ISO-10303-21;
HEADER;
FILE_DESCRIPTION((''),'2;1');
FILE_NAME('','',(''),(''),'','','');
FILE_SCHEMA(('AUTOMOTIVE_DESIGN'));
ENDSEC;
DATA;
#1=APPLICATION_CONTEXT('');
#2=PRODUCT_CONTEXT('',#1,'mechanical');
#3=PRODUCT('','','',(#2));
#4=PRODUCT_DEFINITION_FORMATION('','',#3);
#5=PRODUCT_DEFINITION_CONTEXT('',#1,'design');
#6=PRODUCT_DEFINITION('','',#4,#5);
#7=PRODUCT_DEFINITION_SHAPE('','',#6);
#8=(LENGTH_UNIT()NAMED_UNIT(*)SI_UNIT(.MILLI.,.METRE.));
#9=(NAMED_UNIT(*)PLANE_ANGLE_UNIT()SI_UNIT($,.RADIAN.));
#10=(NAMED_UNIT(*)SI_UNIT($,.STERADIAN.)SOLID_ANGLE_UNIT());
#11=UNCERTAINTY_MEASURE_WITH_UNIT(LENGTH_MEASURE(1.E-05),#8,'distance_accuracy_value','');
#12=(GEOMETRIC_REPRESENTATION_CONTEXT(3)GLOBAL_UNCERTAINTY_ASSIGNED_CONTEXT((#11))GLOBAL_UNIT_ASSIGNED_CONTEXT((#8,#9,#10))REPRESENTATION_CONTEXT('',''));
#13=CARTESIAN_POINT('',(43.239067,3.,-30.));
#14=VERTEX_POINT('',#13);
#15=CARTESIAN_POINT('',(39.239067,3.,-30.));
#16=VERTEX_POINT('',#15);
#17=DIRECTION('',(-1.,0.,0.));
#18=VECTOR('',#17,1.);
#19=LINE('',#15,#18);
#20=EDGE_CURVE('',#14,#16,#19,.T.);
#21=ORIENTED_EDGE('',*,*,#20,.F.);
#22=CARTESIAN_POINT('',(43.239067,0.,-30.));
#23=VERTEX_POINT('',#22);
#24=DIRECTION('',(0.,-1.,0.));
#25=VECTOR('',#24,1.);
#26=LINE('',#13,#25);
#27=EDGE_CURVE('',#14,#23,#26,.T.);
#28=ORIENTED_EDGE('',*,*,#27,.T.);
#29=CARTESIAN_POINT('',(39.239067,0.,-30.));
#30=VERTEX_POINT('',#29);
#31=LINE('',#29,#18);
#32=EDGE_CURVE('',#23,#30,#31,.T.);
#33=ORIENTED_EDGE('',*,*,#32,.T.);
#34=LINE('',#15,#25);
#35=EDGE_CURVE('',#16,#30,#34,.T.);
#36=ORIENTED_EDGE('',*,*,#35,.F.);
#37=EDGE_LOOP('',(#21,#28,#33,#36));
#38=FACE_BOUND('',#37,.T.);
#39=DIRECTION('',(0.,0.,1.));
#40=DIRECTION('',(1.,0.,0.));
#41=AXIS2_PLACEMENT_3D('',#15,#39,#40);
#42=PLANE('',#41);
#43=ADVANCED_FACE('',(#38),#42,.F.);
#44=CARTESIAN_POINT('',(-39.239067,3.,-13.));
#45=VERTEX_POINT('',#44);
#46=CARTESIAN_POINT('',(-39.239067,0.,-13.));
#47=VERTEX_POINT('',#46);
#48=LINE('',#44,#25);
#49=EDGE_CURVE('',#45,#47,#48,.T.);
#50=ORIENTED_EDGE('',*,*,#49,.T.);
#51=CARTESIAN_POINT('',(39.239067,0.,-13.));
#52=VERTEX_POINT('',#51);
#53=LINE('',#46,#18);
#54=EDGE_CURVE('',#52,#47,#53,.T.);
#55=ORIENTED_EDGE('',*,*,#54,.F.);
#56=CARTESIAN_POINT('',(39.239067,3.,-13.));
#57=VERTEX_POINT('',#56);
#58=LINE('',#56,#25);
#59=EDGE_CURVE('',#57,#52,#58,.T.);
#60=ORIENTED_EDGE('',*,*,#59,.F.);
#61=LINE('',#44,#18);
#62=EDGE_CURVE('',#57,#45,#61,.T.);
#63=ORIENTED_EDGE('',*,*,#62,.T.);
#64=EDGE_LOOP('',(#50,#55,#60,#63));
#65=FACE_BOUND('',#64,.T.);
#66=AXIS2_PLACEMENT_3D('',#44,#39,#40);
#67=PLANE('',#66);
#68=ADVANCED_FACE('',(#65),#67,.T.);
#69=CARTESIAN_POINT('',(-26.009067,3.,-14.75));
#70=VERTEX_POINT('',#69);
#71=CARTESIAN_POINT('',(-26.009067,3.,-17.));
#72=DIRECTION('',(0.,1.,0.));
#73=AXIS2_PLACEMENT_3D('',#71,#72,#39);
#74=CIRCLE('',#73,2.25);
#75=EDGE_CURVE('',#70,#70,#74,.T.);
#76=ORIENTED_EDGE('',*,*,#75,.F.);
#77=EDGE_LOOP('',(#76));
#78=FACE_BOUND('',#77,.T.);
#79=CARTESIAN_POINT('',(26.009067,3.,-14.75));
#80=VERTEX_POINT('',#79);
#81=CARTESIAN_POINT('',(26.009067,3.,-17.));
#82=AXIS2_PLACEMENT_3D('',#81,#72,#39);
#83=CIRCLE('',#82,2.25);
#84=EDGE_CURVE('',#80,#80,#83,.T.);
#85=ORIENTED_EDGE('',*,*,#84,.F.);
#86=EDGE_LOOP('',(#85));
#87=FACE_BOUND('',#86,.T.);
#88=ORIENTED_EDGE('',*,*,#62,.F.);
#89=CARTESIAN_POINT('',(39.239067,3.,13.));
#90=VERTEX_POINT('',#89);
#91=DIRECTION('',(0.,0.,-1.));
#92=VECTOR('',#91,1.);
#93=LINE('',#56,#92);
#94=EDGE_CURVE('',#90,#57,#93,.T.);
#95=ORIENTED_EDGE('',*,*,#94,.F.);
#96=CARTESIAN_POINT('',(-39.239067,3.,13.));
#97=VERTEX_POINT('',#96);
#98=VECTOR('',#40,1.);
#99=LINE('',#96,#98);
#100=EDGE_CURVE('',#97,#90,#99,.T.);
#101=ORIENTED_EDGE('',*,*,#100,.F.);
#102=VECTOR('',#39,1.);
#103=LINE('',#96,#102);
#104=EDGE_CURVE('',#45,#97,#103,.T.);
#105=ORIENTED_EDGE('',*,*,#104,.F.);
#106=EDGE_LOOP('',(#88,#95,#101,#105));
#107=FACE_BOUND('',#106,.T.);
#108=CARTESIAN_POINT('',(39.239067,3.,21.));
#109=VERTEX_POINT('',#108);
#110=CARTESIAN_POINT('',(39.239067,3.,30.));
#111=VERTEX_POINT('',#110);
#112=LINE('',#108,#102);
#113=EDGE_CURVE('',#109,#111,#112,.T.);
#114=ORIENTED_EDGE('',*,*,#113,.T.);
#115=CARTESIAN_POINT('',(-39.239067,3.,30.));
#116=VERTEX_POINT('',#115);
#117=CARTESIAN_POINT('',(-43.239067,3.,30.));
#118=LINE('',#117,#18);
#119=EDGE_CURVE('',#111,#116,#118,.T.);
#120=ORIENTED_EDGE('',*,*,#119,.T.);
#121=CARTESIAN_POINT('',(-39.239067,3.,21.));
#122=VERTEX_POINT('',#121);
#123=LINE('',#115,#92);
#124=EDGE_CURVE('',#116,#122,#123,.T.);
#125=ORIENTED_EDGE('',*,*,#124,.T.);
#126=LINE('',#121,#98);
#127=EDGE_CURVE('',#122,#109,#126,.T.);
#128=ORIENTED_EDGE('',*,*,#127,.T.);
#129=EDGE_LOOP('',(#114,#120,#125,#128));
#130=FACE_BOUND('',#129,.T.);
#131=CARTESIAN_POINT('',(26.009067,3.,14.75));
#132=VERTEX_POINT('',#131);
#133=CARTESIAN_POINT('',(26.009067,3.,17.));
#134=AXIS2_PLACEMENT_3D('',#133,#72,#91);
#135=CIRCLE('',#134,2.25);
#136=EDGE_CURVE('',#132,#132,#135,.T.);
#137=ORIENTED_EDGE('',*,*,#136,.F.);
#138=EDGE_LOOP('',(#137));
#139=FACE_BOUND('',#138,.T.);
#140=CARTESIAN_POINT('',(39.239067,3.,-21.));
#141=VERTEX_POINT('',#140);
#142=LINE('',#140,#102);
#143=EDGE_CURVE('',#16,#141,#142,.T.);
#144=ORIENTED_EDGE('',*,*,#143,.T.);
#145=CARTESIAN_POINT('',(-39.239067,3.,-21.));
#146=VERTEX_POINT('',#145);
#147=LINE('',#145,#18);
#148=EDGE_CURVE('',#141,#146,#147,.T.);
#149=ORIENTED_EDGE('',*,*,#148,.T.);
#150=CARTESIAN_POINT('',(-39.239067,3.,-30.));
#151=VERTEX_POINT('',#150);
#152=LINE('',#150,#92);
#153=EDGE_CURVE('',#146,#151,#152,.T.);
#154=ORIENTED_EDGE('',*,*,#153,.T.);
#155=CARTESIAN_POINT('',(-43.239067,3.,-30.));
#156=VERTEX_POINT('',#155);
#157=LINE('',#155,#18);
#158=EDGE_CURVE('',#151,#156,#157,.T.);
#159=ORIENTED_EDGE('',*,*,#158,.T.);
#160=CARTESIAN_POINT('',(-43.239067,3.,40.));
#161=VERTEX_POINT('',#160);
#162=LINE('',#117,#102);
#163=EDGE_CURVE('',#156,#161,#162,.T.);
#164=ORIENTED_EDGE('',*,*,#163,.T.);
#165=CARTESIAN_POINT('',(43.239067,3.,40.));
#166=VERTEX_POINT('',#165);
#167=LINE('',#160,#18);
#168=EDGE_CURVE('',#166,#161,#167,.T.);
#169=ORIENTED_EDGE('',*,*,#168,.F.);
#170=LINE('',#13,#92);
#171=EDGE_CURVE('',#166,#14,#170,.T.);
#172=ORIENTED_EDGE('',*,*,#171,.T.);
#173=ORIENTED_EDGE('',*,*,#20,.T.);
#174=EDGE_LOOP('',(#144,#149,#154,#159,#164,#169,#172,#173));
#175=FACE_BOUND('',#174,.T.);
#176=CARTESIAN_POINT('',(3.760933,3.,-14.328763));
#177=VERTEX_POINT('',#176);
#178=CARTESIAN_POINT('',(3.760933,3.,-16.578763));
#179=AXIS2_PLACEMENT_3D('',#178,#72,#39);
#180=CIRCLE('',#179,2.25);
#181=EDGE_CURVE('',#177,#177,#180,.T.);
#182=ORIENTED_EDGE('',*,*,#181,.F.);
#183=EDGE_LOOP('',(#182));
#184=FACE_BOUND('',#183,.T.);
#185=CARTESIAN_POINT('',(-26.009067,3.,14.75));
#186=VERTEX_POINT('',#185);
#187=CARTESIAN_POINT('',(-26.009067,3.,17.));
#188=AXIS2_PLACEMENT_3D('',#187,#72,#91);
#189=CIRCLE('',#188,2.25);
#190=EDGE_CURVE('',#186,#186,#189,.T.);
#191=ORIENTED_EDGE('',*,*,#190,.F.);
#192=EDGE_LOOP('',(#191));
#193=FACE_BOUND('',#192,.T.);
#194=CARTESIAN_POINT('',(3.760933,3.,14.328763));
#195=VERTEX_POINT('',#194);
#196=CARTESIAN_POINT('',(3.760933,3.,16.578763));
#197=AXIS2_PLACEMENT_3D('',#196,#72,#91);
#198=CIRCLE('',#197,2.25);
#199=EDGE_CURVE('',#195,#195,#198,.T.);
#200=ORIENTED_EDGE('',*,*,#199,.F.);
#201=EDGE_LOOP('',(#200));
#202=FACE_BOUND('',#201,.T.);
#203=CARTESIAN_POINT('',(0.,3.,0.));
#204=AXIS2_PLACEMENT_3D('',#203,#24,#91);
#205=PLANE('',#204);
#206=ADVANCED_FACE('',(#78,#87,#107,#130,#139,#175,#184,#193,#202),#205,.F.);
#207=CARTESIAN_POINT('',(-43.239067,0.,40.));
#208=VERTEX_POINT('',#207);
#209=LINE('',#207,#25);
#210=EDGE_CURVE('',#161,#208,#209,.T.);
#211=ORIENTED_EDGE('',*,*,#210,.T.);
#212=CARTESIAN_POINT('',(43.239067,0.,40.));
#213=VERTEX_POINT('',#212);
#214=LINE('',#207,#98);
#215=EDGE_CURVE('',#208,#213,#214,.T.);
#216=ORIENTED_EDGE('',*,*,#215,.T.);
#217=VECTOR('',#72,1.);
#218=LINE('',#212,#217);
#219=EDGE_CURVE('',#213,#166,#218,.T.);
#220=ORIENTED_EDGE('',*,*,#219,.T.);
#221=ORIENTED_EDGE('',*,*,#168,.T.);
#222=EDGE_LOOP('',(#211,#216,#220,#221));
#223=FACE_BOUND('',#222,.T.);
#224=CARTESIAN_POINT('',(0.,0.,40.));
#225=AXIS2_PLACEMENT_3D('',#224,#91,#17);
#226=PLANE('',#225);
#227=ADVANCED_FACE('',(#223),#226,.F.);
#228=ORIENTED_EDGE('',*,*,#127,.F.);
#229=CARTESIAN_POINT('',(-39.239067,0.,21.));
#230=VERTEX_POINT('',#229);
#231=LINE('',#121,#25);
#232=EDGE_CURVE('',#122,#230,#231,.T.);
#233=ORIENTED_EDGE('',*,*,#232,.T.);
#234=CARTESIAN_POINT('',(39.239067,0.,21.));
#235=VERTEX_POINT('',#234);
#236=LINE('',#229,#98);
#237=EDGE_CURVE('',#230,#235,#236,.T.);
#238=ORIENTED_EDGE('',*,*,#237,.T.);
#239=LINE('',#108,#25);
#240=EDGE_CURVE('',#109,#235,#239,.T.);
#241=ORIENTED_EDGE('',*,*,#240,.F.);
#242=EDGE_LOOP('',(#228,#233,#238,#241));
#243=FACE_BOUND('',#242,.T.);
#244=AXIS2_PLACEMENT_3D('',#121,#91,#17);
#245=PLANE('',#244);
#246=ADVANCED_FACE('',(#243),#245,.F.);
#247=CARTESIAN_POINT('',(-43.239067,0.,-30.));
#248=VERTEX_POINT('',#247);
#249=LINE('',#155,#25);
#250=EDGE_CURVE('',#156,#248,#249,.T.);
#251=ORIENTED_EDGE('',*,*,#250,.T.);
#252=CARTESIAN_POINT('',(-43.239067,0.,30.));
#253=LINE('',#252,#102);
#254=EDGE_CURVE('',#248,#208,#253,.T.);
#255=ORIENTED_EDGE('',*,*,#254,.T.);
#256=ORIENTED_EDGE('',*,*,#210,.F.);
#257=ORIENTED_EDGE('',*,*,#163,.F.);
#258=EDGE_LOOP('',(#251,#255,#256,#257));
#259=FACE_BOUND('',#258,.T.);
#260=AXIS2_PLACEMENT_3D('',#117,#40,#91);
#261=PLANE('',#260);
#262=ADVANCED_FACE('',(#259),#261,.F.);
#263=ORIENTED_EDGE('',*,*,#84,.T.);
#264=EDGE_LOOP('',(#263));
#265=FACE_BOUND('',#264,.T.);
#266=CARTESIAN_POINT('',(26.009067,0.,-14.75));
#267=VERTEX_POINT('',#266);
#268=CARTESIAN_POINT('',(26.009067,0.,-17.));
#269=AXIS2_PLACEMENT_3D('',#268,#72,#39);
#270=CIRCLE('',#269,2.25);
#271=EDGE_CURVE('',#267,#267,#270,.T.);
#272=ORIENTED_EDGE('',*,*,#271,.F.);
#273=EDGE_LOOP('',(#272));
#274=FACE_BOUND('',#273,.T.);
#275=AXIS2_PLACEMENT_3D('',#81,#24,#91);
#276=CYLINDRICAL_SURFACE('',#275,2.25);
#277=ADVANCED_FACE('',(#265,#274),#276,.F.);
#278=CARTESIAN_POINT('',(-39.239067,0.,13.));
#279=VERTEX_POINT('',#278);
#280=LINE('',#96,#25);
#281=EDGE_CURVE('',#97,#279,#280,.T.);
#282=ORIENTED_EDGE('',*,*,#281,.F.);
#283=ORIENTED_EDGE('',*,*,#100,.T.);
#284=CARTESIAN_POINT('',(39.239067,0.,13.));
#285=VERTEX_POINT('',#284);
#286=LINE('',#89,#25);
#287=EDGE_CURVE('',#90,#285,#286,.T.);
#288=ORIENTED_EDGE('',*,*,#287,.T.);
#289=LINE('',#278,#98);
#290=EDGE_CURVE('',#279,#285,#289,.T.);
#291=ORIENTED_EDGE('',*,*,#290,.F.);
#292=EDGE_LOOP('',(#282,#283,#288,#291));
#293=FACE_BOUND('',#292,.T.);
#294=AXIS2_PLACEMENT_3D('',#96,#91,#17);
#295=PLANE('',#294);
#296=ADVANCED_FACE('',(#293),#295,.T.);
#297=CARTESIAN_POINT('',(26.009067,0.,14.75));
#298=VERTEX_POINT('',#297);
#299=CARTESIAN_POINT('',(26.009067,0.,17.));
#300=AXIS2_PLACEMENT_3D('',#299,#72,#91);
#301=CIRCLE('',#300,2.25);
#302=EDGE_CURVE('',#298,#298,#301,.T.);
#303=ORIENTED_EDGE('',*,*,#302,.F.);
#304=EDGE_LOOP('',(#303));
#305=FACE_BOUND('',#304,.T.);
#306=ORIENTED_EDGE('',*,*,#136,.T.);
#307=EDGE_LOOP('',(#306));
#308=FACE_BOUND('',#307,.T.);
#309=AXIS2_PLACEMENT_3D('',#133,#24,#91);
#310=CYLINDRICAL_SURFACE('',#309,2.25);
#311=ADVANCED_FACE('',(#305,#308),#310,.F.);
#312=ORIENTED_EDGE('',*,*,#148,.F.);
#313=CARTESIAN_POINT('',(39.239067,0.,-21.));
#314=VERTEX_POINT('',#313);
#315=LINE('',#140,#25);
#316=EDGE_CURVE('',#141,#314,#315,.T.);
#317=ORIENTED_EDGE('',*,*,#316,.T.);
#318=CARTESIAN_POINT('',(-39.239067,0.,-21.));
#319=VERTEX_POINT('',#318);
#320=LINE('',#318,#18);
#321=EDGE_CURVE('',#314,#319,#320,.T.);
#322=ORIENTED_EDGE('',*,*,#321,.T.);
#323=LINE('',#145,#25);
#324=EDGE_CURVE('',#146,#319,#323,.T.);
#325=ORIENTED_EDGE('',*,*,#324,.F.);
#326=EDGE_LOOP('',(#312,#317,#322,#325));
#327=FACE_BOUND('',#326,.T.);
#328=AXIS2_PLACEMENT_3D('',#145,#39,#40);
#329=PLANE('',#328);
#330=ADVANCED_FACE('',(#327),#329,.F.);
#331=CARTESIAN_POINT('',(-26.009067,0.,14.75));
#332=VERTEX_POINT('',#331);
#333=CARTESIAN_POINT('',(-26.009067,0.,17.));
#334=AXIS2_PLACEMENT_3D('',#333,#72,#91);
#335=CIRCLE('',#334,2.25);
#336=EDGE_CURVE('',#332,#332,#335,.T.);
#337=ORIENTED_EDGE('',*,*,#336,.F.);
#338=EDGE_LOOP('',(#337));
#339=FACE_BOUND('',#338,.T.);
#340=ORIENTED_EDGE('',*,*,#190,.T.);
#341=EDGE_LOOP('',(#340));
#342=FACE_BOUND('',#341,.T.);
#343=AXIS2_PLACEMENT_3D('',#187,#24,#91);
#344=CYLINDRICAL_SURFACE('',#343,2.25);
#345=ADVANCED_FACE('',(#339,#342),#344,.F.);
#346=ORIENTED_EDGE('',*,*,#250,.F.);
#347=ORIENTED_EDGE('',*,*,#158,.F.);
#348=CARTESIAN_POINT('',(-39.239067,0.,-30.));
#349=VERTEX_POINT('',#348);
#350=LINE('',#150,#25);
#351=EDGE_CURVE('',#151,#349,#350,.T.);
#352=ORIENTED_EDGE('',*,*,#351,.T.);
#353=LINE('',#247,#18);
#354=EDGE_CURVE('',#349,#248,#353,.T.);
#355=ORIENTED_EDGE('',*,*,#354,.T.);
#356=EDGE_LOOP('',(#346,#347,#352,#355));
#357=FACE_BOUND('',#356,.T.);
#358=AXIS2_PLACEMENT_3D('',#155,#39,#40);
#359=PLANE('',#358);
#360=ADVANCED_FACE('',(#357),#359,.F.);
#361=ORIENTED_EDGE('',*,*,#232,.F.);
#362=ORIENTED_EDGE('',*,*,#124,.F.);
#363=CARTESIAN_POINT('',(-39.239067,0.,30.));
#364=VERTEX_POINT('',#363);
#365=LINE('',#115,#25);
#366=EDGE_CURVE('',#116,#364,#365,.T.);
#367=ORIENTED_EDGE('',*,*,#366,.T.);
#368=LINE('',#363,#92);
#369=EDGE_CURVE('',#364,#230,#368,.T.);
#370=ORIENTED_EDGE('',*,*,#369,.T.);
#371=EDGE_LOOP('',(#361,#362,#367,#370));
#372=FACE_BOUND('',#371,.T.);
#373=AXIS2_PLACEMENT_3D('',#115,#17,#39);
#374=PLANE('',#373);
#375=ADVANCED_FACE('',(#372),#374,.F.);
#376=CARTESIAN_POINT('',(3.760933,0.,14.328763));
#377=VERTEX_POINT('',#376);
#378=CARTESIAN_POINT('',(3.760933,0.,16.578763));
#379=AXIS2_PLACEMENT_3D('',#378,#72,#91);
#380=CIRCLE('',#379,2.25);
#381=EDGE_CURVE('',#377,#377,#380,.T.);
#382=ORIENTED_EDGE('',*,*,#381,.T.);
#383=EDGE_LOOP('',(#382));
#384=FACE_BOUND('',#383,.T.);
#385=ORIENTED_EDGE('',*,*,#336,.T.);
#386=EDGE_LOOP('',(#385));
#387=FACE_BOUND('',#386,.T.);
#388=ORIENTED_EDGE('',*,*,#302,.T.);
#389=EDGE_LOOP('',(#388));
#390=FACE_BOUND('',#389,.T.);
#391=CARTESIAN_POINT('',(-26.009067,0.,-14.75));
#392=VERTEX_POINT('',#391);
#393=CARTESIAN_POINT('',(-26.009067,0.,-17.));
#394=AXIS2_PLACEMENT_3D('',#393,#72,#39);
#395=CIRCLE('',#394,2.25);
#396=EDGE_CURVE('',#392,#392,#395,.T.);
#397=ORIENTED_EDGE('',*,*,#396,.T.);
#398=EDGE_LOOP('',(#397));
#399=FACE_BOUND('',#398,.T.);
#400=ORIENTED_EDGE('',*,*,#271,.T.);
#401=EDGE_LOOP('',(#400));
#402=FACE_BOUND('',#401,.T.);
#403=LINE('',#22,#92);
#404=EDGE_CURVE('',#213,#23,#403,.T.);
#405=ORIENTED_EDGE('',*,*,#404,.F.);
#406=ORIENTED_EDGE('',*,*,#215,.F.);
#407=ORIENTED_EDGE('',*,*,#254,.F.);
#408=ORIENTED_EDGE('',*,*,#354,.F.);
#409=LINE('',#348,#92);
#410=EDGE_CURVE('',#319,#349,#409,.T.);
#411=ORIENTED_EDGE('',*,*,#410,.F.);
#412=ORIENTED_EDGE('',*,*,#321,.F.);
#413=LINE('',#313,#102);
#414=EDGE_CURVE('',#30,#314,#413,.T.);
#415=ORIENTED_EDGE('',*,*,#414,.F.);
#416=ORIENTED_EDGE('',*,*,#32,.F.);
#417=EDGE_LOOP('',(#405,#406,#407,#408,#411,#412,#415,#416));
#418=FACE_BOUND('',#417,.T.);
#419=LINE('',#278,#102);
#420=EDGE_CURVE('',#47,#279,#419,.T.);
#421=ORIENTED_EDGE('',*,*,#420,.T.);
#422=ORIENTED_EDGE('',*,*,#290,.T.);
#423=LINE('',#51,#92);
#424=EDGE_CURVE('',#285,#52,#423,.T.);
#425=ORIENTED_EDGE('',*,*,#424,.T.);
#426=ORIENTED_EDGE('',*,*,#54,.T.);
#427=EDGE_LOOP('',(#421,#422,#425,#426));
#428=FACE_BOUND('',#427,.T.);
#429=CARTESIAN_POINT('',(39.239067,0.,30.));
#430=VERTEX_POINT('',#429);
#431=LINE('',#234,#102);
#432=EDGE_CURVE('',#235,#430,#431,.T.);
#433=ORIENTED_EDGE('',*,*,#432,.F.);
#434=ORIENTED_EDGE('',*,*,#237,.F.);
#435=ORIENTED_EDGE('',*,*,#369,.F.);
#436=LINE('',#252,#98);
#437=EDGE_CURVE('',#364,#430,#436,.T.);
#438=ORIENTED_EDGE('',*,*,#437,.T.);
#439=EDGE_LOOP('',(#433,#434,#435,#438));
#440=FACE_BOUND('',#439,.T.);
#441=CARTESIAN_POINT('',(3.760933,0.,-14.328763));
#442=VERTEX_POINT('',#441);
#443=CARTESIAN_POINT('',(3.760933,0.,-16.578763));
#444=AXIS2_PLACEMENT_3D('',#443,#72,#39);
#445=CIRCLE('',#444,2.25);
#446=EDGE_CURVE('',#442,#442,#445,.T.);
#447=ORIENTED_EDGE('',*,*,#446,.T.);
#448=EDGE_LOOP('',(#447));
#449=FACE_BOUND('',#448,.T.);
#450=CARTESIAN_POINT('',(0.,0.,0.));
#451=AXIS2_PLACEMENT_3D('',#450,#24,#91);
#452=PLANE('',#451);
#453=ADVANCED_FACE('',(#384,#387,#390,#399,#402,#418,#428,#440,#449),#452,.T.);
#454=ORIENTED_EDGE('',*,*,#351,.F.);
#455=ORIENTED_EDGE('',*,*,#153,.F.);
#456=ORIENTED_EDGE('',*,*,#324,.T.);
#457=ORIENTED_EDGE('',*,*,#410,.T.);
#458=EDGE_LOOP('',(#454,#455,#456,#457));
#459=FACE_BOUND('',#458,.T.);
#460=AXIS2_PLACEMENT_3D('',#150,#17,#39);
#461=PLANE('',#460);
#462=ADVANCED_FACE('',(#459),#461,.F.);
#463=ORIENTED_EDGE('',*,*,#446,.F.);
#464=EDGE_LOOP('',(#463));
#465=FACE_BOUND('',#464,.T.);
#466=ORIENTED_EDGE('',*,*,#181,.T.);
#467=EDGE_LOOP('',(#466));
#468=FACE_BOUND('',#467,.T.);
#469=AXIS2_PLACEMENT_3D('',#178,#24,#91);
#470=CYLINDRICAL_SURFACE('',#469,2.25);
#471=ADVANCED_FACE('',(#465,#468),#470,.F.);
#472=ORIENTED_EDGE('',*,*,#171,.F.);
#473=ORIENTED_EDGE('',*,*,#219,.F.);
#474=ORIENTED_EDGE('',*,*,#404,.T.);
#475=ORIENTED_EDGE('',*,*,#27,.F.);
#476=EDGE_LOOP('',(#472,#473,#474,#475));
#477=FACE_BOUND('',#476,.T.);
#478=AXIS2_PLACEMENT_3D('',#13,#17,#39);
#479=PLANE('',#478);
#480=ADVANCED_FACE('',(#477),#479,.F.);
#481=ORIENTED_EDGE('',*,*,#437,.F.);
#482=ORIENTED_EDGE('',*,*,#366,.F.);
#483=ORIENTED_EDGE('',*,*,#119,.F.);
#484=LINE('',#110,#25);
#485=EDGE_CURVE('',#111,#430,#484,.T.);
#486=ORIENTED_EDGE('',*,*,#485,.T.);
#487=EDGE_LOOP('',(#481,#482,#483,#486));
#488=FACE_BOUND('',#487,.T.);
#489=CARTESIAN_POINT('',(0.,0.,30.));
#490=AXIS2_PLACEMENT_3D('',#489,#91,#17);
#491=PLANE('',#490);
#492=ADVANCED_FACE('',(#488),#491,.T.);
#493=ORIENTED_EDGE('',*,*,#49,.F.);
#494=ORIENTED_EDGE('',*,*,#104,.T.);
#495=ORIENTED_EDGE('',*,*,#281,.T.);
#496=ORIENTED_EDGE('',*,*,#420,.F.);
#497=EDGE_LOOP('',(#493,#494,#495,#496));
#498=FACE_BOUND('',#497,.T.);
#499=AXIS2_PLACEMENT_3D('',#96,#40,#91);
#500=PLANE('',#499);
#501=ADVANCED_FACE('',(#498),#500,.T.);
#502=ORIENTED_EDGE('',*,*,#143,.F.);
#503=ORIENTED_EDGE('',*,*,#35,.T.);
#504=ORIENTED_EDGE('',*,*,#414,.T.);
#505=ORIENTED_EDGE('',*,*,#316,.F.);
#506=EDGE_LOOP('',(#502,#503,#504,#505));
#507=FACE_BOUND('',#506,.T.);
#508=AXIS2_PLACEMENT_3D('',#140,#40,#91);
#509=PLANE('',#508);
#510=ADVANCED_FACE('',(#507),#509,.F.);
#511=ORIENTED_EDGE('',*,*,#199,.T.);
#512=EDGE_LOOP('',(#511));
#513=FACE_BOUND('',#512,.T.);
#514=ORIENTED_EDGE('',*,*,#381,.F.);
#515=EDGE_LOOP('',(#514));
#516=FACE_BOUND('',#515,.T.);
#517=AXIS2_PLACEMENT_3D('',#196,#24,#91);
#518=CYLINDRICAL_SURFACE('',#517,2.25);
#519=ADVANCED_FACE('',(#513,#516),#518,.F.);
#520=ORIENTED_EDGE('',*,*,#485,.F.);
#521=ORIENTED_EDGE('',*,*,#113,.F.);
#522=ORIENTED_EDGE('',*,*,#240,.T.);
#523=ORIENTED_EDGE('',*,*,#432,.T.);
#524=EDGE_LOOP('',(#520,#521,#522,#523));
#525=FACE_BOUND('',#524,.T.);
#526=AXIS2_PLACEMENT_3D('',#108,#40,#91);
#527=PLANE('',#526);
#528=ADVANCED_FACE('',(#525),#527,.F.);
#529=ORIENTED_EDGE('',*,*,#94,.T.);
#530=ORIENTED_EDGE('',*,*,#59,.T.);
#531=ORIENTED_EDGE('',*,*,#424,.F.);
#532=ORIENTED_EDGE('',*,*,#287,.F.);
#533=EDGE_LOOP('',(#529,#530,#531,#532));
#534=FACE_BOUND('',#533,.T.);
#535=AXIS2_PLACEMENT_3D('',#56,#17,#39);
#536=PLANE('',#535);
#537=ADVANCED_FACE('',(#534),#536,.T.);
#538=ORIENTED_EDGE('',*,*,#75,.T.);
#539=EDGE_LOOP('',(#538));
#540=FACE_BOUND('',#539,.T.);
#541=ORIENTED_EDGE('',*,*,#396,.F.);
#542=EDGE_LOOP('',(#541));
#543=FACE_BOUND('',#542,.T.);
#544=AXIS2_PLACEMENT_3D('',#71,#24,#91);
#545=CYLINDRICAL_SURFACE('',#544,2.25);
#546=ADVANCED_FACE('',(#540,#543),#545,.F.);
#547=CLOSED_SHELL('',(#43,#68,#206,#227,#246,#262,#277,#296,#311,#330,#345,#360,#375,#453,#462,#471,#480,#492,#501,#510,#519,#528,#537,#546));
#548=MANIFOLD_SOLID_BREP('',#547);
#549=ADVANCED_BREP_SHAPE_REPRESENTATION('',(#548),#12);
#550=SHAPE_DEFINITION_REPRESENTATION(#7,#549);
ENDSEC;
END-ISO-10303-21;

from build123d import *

# Parameters (mm, degrees)
SKETCH3_R           = 2.25
SKETCH3_W           = 78.47813411
SKETCH3_H           = 26
BOSS_EXTRUDE1_DEPTH = 3
SKETCH4_W           = 86.47813411
SKETCH4_H           = 3
BOSS_EXTRUDE2_DEPTH = 10


with BuildPart() as part:
    # Sketch3 → Boss-Extrude1 (new body)
    with BuildSketch(Plane(origin=(0, 0, 0), x_dir=(1, 0, 0), z_dir=(0, 1, 0))):
        Polygon((-43.239067055, -30), (-43.239067055, 30), (-39.239067055, 30), (-39.239067055, 21), (39.239067055, 21), (39.239067055, 30), (43.239067055, 30), (43.239067055, -30), (39.239067055, -30), (39.239067055, -21), (-39.239067055, -21), (-39.239067055, -30), align=None)
        with Locations(Location((-26.009067055, 17, 0), (0, 0, 270))):
            Circle(SKETCH3_R, mode=Mode.SUBTRACT)
        with Locations(Location((3.760932945, 16.578763023, 0), (0, 0, 270))):
            Circle(SKETCH3_R, mode=Mode.SUBTRACT)
        with Locations(Location((26.009067055, 17, 0), (0, 0, 270))):
            Circle(SKETCH3_R, mode=Mode.SUBTRACT)
        with Locations(Location((26.009067055, -17, 0), (0, 0, 90))):
            Circle(SKETCH3_R, mode=Mode.SUBTRACT)
        with Locations(Location((3.760932945, -16.578763023, 0), (0, 0, 90))):
            Circle(SKETCH3_R, mode=Mode.SUBTRACT)
        with Locations(Location((-26.009067055, -17, 0), (0, 0, 90))):
            Circle(SKETCH3_R, mode=Mode.SUBTRACT)
        Rectangle(SKETCH3_W, SKETCH3_H, mode=Mode.SUBTRACT)
    extrude(amount=BOSS_EXTRUDE1_DEPTH)

    # Sketch4 → Boss-Extrude2 (add)
    with BuildSketch(Plane.XY.offset(30)):
        with Locations((0, 1.5)):
            Rectangle(SKETCH4_W, SKETCH4_H)
    extrude(amount=BOSS_EXTRUDE2_DEPTH)


solid = part.part
